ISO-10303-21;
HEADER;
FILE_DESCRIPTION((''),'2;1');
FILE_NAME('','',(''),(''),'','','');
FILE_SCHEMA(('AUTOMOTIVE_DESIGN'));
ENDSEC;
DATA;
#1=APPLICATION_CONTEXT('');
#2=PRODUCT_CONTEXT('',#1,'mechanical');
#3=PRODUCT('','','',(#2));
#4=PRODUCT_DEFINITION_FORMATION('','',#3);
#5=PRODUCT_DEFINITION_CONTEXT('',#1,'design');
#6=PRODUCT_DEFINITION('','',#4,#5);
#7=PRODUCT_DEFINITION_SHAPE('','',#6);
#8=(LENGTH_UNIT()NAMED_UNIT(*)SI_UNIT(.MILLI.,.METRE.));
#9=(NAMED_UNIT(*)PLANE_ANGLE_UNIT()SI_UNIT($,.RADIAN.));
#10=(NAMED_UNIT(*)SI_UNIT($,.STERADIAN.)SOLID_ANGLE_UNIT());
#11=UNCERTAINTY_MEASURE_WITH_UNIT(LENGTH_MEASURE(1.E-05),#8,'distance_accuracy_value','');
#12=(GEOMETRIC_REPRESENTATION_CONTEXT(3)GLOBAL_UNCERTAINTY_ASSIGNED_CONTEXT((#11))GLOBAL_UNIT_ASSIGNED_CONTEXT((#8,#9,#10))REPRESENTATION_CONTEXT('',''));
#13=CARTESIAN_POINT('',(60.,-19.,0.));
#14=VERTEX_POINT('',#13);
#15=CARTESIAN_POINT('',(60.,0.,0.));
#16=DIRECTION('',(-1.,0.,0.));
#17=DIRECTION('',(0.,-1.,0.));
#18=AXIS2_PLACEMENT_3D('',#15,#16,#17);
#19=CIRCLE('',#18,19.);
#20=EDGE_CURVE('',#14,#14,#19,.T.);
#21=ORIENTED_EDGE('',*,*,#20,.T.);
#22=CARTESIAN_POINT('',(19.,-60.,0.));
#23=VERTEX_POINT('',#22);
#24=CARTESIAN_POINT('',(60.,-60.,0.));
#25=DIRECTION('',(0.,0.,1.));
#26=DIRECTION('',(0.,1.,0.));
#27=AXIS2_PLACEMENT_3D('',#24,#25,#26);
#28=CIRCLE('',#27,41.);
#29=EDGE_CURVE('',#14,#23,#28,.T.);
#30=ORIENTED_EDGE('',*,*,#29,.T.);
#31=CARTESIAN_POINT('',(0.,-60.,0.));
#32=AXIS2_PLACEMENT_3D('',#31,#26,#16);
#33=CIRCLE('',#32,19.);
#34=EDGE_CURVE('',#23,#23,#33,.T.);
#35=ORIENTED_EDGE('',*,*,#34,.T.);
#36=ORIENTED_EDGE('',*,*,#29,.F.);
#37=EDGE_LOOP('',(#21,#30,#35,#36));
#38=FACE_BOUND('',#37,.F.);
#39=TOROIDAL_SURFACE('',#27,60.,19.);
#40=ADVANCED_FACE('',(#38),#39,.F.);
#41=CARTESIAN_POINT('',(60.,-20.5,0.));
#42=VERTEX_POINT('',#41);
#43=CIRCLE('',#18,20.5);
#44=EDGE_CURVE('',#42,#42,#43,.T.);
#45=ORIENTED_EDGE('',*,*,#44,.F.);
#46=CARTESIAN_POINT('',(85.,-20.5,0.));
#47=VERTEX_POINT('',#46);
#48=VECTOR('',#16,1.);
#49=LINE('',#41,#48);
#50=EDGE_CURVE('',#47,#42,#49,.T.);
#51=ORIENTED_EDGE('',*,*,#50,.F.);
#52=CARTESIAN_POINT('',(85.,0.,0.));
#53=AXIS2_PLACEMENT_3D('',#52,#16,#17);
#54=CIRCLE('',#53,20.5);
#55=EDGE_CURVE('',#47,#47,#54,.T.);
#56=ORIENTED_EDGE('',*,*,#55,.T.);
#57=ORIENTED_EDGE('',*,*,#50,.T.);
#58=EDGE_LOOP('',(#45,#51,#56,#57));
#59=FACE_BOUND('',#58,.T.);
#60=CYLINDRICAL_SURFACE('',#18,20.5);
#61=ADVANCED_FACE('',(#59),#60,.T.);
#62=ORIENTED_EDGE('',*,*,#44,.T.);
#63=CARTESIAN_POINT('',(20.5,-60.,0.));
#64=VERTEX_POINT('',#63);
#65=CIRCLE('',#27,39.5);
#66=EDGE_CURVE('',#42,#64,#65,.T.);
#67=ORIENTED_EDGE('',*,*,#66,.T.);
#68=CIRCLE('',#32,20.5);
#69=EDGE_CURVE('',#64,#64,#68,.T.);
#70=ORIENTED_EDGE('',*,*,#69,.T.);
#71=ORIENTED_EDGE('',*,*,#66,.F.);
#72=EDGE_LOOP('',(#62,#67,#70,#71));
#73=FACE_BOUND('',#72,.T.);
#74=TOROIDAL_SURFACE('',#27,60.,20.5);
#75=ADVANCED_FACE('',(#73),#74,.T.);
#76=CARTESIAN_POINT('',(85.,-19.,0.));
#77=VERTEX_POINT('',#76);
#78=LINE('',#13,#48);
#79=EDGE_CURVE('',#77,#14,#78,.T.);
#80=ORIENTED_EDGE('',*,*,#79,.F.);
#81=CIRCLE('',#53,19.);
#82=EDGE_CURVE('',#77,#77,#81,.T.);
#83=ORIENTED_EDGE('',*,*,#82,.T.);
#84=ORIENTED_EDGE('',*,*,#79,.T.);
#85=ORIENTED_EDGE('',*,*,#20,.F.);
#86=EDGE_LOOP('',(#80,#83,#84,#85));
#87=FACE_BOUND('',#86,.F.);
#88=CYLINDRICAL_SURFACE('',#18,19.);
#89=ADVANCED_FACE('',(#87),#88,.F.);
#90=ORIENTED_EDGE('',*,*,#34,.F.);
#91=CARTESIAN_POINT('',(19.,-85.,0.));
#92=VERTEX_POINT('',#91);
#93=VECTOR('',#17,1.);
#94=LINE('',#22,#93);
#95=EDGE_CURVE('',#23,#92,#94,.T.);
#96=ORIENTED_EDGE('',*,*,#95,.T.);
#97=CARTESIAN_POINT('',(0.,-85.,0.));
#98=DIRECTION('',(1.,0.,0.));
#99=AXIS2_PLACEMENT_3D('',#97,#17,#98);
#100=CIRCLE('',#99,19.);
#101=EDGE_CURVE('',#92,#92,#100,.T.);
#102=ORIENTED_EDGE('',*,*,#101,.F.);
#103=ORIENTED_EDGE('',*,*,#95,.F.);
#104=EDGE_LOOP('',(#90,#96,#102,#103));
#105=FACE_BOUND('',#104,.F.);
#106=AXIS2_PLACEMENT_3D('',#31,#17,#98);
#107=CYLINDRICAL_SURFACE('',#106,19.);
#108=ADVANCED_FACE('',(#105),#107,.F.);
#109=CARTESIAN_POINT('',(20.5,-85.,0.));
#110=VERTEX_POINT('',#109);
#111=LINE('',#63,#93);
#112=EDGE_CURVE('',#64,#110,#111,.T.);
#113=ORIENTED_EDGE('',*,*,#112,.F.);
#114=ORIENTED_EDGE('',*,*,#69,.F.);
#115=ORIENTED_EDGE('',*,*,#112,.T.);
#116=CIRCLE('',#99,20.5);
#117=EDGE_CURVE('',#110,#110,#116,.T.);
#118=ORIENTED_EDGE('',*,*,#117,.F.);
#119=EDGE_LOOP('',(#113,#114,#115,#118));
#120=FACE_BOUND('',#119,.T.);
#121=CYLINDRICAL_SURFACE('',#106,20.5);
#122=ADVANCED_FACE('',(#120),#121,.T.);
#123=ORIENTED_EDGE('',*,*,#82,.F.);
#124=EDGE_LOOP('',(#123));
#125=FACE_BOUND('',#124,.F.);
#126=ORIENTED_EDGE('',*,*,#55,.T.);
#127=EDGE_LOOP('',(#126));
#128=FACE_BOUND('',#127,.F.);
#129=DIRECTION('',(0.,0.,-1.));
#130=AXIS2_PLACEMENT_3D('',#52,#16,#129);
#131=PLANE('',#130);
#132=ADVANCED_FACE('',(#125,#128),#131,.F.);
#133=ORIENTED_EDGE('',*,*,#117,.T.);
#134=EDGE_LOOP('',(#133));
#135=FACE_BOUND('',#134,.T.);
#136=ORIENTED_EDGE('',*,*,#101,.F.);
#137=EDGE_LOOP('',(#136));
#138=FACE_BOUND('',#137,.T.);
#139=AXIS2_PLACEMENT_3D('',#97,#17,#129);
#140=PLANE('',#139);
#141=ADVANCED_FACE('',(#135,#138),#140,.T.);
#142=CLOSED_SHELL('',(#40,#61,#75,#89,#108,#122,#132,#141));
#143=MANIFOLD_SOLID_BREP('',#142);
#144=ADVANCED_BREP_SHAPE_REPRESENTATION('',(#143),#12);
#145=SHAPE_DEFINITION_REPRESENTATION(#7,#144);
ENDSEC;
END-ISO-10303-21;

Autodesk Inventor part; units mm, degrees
ref_plane "YZ Plane" through (0, 0, 0) normal (1, 0, 0) x (0, 1, 0)
ref_plane "XZ Plane" through (0, 0, 0) normal (0, 1, 0) x (-1, 0, 0)
sketch "Szkic6" plane through (0, 0, 0) normal (0, 0, 1) x (1, 0, 0)
  line L0 (-29.6067, 0) -> (35.2678, 0) construction
  line L1 (0, 42.3419) -> (0, -58.3726) construction
  arc A0 (60, 0) -> (0, -60) centre (60, -60) ccw
  line L2 (0, -60) -> (60, -60) construction
  line L3 (60, -60) -> (60, 5.5331) construction
  line L4 (60, 0) -> (85, 0)
  line L5 (0, -60) -> (0, -85)
  point P0 (0, 0)
  dimension "d24" = 60
  dimension "d31" = 90
  dimension "d36" = 25
  dimension "d37" = 25
ref_plane "Płaszczyzna konstrukcyjna2" through (0, -60, 0) normal (0, -1, 0) x (1, 0, 0)
sketch "Szkic8" plane through (0, -60, 0) normal (0, -1, 0) x (1, 0, 0)
  circle A0 centre (0, 0) radius 20.5
  circle A1 centre (0, 0) radius 19
  dimension "d32" = 41
  dimension "d33" = 1.5
sweep "Przeciągnięcie2" add profiles "Szkic8" path "Szkic6"
equation "\"d32\" = OD"
equation "\"d33\" = THK"
equation "\"d24\" = R"
equation "\"d31\" = KAT"
equation "\"d36\" = PROSTKA"
equation "\"d37\" = PROSTKA"
equation "\"SzerokośćGięciaPodcięcia\" = Grubość"
equation "\"RozmiarPodcięciaNarożnika\" = 4 * Grubość"
equation "\"PromieńPrzejścia\" = PromieńGięcia"
equation "\"Rozmiar_promienia_Jacobiego\" = PromieńGięcia"
equation "\"Wielk_odstępu\" = Grubość"
equation "\"d2\" = PromieńGięcia"
equation "\"d23\" = PromieńGięcia"
equation "\"R\" = 60"
equation "\"OD\" = 41"
equation "\"THK\" = 1.5"
equation "\"KAT\" = 90deg"
equation "\"PROSTKA\" = 25"
equation "\"Grubość\" = 1.5"
equation "\"PromieńGięcia\" = 3"
properties part number "Kolano 90° ø41x1,5 R60" material "304L"
